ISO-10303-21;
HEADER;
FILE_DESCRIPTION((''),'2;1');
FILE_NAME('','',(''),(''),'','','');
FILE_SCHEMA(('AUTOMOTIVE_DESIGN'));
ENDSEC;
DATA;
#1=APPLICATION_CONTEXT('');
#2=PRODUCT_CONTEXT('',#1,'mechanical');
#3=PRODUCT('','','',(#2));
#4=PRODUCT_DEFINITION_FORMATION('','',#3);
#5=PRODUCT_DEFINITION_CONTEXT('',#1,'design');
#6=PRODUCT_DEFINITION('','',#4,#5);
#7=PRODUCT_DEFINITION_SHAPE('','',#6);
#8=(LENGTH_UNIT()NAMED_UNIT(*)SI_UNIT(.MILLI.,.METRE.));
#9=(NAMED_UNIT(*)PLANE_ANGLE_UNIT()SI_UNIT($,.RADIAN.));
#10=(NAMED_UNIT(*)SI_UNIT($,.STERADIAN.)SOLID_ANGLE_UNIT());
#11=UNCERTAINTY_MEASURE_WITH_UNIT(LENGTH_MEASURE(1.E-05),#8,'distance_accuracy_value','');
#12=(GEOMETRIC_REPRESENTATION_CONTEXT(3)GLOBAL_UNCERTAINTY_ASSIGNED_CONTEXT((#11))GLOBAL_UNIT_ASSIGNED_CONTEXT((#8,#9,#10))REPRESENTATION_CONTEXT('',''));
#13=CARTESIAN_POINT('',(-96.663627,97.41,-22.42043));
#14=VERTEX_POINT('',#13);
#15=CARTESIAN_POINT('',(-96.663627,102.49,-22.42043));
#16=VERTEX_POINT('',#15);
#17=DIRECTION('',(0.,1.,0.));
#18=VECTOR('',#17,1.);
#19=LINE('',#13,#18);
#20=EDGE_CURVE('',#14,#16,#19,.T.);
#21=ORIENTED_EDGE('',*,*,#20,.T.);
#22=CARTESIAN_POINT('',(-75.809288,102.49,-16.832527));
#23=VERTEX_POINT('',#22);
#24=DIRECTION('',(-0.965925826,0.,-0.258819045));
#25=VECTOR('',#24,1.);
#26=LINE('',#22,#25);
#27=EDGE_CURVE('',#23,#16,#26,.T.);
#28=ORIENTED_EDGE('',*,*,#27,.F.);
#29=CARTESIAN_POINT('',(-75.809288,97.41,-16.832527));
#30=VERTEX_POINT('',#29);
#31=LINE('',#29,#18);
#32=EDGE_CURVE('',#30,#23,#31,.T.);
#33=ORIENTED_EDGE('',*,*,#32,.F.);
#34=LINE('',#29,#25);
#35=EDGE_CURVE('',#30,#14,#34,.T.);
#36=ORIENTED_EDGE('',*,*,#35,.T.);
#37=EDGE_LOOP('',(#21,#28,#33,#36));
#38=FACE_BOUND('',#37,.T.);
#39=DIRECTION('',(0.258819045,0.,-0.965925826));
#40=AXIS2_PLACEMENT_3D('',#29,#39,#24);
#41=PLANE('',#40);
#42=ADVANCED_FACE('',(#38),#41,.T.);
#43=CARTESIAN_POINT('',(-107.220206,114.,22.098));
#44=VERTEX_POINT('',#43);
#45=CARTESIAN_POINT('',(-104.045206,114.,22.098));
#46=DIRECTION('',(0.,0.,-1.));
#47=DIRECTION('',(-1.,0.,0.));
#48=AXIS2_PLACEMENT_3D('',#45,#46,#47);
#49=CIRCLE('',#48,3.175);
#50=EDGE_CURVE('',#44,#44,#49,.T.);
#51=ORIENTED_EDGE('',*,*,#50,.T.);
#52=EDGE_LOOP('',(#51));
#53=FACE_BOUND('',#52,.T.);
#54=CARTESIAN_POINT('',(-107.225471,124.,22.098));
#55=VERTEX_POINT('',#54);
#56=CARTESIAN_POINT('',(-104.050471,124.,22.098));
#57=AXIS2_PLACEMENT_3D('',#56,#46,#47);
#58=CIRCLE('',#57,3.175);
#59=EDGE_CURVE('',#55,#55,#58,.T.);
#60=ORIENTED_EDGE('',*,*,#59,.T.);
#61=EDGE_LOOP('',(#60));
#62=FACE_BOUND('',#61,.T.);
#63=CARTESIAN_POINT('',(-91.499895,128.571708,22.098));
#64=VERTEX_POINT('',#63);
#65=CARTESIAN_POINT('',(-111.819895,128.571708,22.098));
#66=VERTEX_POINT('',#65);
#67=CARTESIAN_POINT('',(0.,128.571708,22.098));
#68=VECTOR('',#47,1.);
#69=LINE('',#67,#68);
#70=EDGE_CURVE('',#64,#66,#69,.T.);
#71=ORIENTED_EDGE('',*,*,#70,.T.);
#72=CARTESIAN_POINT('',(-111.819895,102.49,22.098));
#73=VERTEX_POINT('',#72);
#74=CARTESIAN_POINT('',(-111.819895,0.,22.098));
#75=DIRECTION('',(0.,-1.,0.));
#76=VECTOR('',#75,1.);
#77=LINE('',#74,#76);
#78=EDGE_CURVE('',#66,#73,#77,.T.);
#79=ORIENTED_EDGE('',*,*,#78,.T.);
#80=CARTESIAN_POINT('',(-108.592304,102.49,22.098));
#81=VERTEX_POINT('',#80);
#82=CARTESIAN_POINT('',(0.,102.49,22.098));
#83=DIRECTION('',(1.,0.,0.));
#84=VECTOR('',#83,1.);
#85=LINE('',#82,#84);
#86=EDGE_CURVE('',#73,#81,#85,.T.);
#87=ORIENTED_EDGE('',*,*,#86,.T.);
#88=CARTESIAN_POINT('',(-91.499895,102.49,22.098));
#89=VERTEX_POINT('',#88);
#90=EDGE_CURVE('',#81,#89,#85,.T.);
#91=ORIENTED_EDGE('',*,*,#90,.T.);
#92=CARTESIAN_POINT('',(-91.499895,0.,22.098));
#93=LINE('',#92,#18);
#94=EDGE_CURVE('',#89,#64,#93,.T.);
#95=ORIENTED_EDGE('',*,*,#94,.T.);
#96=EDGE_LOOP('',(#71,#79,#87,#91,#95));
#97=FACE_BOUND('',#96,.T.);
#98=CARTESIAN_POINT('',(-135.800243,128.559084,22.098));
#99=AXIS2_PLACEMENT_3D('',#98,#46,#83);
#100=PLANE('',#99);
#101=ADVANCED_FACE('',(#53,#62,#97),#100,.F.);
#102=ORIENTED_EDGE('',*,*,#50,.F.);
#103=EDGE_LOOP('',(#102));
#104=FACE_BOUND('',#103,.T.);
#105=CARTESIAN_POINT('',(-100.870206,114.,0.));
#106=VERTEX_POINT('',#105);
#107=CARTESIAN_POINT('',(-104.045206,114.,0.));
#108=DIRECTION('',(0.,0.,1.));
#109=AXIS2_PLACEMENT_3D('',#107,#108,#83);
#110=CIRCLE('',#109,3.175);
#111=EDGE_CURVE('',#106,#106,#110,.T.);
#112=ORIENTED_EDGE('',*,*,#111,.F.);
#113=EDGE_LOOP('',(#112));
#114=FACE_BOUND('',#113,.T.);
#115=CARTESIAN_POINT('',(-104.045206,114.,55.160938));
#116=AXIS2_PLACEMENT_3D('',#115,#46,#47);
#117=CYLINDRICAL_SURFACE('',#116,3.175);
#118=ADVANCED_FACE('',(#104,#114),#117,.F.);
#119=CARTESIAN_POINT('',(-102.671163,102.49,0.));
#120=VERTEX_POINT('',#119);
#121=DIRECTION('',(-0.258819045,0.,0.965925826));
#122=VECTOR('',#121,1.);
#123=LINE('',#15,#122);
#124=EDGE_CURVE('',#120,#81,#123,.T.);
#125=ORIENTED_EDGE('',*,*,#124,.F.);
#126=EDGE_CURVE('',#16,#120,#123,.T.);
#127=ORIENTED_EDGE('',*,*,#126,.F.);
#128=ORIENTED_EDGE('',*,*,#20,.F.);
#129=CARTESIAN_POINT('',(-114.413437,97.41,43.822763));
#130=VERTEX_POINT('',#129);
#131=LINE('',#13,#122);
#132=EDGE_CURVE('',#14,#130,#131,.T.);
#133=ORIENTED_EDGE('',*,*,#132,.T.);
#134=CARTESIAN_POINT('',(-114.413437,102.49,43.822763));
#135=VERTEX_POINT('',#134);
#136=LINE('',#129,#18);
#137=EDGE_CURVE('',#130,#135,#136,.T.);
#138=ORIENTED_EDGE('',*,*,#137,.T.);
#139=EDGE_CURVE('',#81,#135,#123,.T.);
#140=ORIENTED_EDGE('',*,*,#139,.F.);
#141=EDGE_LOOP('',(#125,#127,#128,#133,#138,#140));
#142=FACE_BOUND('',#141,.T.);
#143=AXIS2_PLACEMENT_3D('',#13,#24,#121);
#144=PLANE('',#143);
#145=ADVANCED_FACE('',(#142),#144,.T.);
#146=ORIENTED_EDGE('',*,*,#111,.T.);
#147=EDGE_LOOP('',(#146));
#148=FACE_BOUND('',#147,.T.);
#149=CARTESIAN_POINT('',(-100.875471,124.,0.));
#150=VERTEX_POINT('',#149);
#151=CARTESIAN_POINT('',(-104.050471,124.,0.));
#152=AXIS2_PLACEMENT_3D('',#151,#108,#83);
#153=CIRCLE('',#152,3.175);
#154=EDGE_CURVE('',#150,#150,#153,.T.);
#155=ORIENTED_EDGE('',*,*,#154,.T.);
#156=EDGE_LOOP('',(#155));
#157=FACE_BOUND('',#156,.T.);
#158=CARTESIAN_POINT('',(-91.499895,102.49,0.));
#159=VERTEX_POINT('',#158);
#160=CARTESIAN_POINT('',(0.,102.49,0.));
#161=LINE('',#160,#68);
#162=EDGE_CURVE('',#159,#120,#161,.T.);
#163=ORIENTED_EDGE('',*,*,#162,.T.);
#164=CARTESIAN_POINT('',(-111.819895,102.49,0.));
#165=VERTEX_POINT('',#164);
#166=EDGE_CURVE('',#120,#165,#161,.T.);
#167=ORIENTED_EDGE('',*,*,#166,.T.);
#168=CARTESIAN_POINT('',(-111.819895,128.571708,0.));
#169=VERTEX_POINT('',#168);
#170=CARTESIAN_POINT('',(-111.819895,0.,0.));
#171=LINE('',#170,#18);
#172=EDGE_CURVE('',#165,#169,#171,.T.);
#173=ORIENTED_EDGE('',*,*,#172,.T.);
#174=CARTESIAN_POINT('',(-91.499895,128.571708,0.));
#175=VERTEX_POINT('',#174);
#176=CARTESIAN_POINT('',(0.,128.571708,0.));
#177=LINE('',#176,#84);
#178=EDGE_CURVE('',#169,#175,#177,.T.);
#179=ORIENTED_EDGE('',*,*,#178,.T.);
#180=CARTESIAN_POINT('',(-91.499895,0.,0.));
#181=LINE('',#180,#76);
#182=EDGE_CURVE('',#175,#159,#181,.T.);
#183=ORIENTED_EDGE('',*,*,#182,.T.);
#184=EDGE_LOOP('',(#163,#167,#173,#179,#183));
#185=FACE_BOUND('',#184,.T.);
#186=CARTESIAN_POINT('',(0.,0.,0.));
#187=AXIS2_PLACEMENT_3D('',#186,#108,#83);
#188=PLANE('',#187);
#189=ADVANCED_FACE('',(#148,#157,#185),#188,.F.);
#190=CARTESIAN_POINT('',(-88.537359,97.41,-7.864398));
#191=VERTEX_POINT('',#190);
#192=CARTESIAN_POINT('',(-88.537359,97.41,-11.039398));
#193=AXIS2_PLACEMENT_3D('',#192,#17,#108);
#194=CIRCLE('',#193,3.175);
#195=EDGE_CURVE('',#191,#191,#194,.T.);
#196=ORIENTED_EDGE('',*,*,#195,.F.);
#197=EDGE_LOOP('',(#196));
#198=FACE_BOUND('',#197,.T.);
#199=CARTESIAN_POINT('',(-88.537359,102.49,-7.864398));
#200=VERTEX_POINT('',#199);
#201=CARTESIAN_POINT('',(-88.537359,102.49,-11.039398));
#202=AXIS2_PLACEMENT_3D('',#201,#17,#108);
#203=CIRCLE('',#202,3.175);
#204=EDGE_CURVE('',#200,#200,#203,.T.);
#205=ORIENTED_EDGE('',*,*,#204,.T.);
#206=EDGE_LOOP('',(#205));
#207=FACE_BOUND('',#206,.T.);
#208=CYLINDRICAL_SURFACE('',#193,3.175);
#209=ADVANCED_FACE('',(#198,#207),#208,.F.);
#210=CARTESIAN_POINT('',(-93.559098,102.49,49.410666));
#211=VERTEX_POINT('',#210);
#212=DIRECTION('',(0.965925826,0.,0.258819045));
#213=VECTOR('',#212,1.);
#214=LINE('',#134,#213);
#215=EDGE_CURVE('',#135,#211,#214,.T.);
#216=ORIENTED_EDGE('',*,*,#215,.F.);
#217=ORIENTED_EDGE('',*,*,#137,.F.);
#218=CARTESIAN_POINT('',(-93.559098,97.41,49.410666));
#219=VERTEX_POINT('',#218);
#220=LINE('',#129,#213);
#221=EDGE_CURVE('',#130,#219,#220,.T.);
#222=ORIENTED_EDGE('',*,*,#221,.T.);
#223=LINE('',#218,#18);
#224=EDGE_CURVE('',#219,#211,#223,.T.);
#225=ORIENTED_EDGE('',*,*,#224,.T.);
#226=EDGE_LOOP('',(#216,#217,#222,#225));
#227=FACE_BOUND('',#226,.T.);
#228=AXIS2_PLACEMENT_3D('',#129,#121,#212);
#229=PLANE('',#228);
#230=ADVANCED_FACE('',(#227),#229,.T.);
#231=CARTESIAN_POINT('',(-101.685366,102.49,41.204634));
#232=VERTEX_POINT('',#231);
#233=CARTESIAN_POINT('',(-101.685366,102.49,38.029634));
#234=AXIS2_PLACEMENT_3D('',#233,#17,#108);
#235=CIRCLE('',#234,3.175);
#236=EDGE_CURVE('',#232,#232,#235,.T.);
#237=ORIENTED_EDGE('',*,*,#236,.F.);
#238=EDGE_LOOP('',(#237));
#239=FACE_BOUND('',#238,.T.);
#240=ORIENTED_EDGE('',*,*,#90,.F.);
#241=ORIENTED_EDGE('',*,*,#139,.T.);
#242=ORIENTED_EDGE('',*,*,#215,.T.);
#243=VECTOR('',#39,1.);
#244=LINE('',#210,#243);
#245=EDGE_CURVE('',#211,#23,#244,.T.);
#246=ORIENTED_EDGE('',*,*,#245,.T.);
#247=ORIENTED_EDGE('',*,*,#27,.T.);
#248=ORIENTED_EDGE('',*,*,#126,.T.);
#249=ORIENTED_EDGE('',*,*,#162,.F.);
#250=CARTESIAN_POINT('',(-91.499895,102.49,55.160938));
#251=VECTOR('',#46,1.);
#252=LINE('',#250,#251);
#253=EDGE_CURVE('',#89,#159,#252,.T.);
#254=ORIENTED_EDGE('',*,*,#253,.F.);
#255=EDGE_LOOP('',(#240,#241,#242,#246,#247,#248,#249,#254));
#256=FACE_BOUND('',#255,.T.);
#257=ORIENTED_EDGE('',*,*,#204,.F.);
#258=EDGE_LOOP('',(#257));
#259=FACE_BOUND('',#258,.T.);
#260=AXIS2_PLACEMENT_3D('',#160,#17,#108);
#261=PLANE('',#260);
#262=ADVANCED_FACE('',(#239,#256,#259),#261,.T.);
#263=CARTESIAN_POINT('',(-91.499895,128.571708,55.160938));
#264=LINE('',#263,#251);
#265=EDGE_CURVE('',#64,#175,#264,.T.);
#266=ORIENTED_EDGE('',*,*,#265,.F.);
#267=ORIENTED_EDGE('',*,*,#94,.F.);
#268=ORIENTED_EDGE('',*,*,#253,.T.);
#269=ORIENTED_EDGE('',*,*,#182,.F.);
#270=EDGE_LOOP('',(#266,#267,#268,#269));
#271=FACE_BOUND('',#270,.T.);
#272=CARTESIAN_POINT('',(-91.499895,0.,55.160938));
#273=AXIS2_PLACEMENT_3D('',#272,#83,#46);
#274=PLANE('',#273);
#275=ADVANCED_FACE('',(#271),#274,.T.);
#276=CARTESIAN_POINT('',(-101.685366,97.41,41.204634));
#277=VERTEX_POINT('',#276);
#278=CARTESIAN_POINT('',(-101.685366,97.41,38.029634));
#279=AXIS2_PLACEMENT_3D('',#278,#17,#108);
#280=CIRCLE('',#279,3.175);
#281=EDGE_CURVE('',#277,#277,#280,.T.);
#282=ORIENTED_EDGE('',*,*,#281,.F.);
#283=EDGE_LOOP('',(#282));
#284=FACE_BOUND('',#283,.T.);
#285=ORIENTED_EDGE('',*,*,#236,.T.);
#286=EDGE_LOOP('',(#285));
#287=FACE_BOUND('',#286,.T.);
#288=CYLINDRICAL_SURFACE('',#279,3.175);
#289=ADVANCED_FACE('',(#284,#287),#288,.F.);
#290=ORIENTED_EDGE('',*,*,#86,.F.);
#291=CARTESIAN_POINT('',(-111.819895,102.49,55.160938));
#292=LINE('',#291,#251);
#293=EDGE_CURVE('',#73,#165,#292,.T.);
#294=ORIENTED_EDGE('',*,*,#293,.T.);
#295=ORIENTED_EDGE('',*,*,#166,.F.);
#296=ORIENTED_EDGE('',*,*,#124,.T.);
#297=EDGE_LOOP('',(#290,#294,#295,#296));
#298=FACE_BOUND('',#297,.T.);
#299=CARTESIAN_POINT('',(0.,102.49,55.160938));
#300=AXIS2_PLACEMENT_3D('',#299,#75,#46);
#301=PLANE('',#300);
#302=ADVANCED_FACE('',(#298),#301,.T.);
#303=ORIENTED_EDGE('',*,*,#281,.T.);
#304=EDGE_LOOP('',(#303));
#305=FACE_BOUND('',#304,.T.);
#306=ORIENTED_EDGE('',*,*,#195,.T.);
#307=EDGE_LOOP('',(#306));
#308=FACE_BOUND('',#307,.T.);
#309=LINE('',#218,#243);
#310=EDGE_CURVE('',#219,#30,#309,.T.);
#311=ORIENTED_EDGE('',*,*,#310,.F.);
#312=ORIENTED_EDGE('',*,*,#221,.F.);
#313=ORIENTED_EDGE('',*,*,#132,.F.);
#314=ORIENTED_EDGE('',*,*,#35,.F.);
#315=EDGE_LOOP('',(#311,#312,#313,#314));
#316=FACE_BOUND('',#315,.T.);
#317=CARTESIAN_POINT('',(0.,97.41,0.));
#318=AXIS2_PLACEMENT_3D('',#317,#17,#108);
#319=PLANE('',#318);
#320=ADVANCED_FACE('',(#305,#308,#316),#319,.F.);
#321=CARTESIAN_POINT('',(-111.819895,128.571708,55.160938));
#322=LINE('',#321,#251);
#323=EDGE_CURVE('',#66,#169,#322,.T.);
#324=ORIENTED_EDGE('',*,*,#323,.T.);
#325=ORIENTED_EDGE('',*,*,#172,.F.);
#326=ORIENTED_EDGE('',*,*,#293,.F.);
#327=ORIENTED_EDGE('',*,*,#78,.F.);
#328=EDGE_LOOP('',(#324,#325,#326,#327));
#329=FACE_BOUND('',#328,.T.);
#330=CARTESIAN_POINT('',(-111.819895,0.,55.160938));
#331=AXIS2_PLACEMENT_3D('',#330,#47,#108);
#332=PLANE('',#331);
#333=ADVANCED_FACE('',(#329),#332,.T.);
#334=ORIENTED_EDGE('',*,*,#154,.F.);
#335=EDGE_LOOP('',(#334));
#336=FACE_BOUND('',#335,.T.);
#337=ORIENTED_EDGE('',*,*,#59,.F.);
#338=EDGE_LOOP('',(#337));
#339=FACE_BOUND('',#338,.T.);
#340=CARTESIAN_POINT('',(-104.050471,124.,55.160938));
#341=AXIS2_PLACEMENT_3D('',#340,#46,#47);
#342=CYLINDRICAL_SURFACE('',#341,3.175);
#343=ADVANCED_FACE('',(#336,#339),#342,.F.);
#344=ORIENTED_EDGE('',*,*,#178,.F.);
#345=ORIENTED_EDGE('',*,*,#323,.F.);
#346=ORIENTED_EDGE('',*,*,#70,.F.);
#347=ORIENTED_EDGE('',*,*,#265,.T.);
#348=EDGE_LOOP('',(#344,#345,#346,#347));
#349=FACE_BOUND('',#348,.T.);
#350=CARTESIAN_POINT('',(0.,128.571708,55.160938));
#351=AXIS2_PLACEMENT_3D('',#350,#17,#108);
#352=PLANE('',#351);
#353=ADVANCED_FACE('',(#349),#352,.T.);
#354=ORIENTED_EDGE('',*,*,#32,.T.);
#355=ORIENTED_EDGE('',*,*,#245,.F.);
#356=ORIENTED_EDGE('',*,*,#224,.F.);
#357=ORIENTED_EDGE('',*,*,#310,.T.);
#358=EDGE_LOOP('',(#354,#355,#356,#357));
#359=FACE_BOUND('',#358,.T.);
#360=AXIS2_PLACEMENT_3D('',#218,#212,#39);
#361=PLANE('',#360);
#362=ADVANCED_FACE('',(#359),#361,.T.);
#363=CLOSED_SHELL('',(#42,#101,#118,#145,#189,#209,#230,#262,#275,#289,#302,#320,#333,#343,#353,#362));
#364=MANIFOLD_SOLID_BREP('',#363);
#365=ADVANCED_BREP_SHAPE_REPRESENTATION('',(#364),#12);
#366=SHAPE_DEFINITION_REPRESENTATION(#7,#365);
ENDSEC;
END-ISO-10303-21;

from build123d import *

# Parameters (mm, degrees)
SKETCH1_W           = 20.32
SKETCH1_H           = 26.081708108
SKETCH1_R           = 3.175
BOSS_EXTRUDE1_DEPTH = 22.098
SKETCH2_R           = 3.175
BOSS_EXTRUDE2_DEPTH = 5.08


with BuildPart() as part:
    # Sketch1 → Boss-Extrude1 (new body)
    with BuildSketch(Plane.XY):
        with Locations((-101.659894533, 115.530854428)):
            Rectangle(SKETCH1_W, SKETCH1_H)
        with Locations(Location((-104.04520642, 114, 0), (0, 0, 180))):
            Circle(SKETCH1_R, mode=Mode.SUBTRACT)
        with Locations(Location((-104.05047074, 124, 0), (0, 0, 180))):
            Circle(SKETCH1_R, mode=Mode.SUBTRACT)
    extrude(amount=BOSS_EXTRUDE1_DEPTH)

    # Sketch2 → Boss-Extrude2 (add)
    with BuildSketch(Plane(origin=(0, 102.490000374, 0), x_dir=(1, 0, 0), z_dir=(0, 1, 0))):
        Polygon((-96.663626928, 22.420429911), (-114.413437041, -43.822763256), (-93.559098452, -49.410666439), (-75.809288339, 16.832526727), align=None)
        with Locations(Location((-101.685366436, -38.029634252, 0), (0, 0, 270))):
            Circle(SKETCH2_R, mode=Mode.SUBTRACT)
        with Locations(Location((-88.537358944, 11.039397724, 0), (0, 0, 270))):
            Circle(SKETCH2_R, mode=Mode.SUBTRACT)
    extrude(amount=-BOSS_EXTRUDE2_DEPTH)


solid = part.part
